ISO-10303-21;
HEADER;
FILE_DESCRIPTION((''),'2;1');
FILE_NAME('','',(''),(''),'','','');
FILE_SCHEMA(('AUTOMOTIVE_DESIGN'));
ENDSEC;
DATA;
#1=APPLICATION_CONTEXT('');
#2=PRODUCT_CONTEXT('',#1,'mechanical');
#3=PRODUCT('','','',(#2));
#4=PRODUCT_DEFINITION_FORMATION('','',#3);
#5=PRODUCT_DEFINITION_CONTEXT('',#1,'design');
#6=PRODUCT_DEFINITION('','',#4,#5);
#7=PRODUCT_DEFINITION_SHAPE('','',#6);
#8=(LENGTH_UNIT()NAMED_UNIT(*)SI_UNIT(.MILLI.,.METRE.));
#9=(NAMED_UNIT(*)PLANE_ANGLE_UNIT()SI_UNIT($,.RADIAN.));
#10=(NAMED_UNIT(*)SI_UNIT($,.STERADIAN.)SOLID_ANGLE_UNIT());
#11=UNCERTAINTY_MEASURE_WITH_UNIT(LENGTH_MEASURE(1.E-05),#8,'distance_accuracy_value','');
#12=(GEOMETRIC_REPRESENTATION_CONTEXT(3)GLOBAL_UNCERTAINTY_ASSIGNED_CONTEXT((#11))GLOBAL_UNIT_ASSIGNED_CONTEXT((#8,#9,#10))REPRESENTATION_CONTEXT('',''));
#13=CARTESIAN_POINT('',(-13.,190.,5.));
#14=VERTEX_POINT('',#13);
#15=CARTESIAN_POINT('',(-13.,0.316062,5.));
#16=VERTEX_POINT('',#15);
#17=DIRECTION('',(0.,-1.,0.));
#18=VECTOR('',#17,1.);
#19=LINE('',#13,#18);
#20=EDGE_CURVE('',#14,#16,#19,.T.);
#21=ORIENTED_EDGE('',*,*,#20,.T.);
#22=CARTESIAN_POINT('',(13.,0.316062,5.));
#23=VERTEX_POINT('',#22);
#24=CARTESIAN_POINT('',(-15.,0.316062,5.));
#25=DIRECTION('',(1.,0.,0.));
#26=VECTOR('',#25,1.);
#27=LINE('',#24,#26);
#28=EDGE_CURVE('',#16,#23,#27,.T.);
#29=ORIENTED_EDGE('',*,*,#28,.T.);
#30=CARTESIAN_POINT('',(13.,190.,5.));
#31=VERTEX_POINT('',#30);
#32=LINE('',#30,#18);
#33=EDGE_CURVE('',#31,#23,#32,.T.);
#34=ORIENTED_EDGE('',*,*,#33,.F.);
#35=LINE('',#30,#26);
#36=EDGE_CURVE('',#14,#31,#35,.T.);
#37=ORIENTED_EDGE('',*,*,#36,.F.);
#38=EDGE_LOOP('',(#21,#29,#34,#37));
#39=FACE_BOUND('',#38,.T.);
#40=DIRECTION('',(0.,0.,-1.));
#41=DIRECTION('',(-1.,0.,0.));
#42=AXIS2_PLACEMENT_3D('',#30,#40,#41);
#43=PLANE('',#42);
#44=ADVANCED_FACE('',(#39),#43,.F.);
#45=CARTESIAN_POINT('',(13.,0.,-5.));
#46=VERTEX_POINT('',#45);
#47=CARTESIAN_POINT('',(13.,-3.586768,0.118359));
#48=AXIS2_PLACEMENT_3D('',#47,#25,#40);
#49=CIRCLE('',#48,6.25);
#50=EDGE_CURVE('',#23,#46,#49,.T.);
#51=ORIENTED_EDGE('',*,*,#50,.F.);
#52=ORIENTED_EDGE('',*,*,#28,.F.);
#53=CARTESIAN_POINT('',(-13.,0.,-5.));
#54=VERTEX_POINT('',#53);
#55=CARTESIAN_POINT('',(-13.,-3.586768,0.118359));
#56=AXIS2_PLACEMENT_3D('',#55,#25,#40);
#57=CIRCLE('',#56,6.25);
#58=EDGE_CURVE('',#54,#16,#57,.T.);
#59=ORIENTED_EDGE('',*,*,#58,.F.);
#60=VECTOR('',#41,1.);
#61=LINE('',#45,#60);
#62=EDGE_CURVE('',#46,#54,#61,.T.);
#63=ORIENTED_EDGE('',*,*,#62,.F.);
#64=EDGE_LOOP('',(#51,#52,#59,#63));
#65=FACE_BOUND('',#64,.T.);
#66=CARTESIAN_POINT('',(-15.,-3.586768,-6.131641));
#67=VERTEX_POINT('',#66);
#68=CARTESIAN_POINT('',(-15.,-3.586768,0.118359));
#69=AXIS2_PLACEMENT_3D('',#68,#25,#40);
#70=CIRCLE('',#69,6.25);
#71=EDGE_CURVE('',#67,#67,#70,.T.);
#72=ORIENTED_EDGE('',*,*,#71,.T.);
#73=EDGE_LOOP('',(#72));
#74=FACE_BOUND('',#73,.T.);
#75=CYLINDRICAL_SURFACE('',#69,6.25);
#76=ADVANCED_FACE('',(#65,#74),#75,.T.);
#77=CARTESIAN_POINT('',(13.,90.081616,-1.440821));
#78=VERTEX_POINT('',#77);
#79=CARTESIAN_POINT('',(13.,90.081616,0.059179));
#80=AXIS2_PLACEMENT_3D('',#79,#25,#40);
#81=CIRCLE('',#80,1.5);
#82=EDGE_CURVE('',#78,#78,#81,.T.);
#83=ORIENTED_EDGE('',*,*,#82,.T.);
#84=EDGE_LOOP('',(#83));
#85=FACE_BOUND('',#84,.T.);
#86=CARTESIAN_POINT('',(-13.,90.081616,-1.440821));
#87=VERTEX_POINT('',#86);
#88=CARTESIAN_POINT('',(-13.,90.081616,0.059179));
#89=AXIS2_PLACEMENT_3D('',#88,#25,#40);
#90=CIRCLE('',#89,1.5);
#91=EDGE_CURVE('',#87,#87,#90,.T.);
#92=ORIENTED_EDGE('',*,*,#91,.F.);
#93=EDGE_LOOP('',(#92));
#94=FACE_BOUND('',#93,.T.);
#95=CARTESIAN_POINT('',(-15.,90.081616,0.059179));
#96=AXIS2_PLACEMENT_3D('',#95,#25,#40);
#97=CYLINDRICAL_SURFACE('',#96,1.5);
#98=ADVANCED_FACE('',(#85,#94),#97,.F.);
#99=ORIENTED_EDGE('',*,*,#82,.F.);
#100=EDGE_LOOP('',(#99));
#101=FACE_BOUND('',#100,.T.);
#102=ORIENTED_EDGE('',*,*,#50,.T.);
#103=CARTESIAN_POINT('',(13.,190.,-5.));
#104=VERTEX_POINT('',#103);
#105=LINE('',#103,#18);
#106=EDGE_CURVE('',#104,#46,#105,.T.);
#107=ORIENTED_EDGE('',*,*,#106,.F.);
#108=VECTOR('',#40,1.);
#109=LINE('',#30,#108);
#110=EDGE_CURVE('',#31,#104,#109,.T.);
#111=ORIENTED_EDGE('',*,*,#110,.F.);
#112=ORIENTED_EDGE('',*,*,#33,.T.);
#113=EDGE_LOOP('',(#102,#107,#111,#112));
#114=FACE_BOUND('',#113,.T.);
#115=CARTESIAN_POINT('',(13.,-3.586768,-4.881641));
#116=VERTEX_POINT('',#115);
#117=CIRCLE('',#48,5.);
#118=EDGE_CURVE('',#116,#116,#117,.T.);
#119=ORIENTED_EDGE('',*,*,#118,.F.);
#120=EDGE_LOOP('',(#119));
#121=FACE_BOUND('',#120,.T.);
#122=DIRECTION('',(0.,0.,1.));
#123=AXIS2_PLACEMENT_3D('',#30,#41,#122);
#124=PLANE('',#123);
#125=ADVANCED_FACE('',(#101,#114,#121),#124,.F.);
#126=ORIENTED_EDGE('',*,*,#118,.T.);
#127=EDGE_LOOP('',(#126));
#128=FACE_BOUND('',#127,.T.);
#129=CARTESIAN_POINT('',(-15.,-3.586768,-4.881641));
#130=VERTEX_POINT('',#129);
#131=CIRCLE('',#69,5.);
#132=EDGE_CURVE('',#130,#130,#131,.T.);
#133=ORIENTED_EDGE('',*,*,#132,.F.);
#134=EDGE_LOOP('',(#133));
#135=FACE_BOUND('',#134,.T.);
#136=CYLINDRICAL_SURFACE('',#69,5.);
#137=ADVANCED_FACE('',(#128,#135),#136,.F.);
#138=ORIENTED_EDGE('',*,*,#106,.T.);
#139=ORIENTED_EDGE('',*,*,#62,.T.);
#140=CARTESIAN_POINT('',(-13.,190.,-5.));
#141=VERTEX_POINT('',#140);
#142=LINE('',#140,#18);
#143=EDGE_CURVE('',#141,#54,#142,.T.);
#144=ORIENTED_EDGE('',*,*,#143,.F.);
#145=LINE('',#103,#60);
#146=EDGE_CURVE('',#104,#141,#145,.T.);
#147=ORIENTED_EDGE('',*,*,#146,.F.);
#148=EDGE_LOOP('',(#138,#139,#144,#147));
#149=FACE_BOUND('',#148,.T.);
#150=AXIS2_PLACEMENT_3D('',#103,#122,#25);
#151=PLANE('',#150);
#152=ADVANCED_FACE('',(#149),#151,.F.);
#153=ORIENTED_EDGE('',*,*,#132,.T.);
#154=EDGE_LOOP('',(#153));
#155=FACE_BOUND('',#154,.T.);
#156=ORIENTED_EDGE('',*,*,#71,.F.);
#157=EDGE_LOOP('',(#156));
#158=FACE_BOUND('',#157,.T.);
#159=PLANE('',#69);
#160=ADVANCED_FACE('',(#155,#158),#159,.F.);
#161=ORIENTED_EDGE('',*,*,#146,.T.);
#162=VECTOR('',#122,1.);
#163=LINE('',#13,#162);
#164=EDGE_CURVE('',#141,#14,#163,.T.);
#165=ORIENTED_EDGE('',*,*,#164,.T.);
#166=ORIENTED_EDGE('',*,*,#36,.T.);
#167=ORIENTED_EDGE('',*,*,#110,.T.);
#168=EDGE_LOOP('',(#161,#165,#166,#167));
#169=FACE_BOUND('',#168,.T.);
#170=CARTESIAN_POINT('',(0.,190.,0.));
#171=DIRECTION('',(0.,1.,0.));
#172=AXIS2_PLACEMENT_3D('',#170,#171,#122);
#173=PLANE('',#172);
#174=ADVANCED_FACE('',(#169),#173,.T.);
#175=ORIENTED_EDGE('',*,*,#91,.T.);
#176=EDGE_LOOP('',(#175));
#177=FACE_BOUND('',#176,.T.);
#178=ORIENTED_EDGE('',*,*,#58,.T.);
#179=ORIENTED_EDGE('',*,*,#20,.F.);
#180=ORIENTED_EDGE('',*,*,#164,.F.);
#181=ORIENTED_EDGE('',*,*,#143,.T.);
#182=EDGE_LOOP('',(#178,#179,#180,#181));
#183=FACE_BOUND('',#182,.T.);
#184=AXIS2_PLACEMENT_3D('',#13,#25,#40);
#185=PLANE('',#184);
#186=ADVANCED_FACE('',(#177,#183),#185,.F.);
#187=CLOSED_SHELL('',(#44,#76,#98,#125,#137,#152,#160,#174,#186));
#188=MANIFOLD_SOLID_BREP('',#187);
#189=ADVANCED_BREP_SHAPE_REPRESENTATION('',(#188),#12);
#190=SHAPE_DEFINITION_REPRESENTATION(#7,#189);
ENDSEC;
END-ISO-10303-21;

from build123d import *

# Parameters (mm, degrees)
SKETCH8_W           = 26
SKETCH8_H           = 10
BOSS_EXTRUDE5_DEPTH = 190
SKETCH9_R           = 6.25
BOSS_EXTRUDE7_DEPTH = 28
SKETCH13_R          = 5
CUT_EXTRUDE3_DEPTH  = 28
SKETCH14_R          = 1.5
CUT_EXTRUDE4_DEPTH  = 28


with BuildPart() as part:
    # Sketch8 → Boss-Extrude5 (new body)
    with BuildSketch(Plane(origin=(0, 0, 0), x_dir=(1, 0, 0), z_dir=(0, 1, 0))):
        Rectangle(SKETCH8_W, SKETCH8_H)
    extrude(amount=BOSS_EXTRUDE5_DEPTH)

    # Sketch9 → Boss-Extrude7 (add)
    with BuildSketch(Plane(origin=(13, 0, 0), x_dir=(0, 0, -1), z_dir=(1, 0, 0))):
        with Locations((-0.118358798, -3.586767795)):
            Circle(SKETCH9_R)
    extrude(amount=-BOSS_EXTRUDE7_DEPTH)

    # Sketch13 → Cut-Extrude3 (cut)
    with BuildSketch(Plane(origin=(13, 0, 0), x_dir=(0, 0, -1), z_dir=(1, 0, 0))):
        with Locations((-0.118358798, -3.586767795)):
            Circle(SKETCH13_R)
    extrude(amount=-CUT_EXTRUDE3_DEPTH, mode=Mode.SUBTRACT)

    # Sketch14 → Cut-Extrude4 (cut)
    with BuildSketch(Plane(origin=(13, 0, 0), x_dir=(0, 0, -1), z_dir=(1, 0, 0))):
        with Locations((-0.059179399, 90.081616102)):
            Circle(SKETCH14_R)
    extrude(amount=-CUT_EXTRUDE4_DEPTH, mode=Mode.SUBTRACT)


solid = part.part
